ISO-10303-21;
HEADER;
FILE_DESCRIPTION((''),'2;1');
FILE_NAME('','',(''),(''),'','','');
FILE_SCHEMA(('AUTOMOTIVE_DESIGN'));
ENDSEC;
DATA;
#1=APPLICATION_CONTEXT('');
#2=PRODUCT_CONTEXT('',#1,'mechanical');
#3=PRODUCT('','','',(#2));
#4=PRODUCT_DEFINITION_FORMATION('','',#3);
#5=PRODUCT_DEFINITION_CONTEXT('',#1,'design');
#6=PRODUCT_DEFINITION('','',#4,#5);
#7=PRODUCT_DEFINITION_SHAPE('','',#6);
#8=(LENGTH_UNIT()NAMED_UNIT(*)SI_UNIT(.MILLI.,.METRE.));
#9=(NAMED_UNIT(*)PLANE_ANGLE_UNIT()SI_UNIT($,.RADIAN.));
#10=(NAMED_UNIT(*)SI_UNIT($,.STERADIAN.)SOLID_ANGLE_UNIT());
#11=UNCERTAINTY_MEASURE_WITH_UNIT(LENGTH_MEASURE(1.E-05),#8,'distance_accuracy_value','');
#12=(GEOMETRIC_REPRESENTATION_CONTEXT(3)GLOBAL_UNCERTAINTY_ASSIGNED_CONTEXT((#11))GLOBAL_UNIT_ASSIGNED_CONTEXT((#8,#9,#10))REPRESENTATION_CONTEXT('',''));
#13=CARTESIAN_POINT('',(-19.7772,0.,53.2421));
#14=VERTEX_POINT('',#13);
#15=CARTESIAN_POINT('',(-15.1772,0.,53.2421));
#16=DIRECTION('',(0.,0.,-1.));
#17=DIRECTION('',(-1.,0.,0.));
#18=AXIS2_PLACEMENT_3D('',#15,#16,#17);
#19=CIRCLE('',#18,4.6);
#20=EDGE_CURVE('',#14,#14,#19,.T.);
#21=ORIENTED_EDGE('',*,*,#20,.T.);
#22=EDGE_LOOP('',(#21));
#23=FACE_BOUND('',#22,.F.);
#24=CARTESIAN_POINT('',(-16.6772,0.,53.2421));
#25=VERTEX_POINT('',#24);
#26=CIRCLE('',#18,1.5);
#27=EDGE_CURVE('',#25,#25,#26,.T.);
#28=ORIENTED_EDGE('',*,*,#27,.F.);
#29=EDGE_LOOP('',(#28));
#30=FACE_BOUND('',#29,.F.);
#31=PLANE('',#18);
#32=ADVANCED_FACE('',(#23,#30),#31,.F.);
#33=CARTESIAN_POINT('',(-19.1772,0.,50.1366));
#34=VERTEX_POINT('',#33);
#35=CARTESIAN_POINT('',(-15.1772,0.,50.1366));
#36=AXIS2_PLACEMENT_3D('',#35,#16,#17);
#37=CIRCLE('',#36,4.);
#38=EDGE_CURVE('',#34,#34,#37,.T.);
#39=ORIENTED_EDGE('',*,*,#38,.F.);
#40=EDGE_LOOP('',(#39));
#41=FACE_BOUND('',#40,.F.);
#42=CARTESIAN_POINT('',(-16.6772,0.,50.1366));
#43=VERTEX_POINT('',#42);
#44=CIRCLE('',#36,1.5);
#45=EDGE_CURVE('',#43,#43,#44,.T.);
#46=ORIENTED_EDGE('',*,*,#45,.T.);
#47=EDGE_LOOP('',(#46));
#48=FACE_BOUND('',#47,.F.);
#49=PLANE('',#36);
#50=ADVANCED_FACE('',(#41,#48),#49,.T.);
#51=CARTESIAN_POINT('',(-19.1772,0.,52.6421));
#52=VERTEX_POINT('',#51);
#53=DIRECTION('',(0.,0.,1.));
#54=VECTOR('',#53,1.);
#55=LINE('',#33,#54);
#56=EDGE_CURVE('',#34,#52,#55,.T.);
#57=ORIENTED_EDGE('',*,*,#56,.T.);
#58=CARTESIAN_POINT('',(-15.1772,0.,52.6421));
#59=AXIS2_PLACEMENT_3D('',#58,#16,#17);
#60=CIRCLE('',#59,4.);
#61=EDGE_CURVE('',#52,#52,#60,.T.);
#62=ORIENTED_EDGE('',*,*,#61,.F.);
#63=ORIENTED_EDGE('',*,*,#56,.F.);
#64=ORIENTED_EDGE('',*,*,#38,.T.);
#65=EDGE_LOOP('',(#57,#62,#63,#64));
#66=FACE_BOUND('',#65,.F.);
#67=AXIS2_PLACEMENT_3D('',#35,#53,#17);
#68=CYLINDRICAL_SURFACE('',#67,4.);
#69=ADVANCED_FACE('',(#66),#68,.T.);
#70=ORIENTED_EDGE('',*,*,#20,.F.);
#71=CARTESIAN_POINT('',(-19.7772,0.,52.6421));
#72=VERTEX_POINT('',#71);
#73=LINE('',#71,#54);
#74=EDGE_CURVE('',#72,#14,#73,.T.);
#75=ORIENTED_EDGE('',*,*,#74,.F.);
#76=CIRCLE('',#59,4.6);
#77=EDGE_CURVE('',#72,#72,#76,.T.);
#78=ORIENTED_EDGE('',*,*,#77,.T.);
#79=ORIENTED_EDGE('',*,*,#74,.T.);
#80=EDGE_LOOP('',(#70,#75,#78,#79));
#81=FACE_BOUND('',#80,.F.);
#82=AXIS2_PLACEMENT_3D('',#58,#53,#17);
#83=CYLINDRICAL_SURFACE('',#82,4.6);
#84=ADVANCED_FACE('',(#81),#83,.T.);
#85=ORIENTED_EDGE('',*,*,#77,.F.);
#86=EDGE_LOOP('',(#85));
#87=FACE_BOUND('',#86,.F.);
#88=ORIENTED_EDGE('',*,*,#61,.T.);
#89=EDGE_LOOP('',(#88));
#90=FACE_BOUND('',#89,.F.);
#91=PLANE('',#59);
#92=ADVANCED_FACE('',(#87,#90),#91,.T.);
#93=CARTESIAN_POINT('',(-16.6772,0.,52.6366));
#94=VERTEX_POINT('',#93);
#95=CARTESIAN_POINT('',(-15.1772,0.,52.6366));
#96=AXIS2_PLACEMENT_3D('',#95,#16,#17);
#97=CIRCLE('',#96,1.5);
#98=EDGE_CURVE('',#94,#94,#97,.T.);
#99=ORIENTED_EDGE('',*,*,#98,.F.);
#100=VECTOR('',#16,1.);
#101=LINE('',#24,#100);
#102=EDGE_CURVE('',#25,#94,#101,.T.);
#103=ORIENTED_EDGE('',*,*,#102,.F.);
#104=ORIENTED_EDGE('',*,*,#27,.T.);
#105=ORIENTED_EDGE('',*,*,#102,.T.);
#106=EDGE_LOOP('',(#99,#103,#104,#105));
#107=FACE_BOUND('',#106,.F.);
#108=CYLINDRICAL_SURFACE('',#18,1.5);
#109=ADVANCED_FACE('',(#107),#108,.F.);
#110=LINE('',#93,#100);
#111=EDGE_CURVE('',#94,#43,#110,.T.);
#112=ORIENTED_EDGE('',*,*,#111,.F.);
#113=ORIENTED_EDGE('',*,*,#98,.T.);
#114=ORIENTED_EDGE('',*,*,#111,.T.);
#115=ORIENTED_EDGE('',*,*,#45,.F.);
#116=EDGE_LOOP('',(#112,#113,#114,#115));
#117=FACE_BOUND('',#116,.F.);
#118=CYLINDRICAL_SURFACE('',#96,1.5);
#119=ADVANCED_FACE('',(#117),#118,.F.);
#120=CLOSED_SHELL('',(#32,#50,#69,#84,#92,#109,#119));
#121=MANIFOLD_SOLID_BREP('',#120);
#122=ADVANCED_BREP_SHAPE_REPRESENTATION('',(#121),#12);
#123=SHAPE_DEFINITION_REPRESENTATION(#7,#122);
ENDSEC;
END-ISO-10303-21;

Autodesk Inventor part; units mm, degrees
ref_plane "YZ Plane" through (0, 0, 0) normal (1, 0, 0) x (0, 1, 0)
ref_plane "XZ Plane" through (0, 0, 0) normal (0, 1, 0) x (-1, 0, 0)
ref_plane "XY Plane" through (0, 0, 0) normal (0, 0, 1) x (1, 0, 0)
sketch "Sketch1" plane through (0, 0, 0) normal (0, 1, 0) x (-1, 0, 0)
  line L0 (16.6772, 52.6366) -> (16.6772, 50.1366)
  line L1 (16.6772, 50.1366) -> (19.1772, 50.1366)
  line L2 (19.1772, 50.1366) -> (19.1772, 52.6421)
  line L3 (19.1772, 52.6421) -> (19.7772, 52.6421)
  line L4 (19.7772, 52.6421) -> (19.7772, 53.2421)
  line L5 (19.7772, 53.2421) -> (16.6772, 53.2421)
  line L6 (16.6772, 53.2421) -> (16.6772, 52.6366)
  line L7 (15.1772, 53.2421) -> (15.1772, 48.9703)
  point P0 (0, 0)
  dimension "d0" = 2.5
  dimension "d1" = 1.5
  dimension "d2" = 2.5
  dimension "d3" = 0.6
  dimension "d4" = 0.6
  dimension "d5" = 0
revolve "Revolution1" add sketch "Sketch1" angle 360 about axis through (-15.1772, 0, 53.2421) along (0, 0, -1)
properties part number "00_ballbearing_8mm"
